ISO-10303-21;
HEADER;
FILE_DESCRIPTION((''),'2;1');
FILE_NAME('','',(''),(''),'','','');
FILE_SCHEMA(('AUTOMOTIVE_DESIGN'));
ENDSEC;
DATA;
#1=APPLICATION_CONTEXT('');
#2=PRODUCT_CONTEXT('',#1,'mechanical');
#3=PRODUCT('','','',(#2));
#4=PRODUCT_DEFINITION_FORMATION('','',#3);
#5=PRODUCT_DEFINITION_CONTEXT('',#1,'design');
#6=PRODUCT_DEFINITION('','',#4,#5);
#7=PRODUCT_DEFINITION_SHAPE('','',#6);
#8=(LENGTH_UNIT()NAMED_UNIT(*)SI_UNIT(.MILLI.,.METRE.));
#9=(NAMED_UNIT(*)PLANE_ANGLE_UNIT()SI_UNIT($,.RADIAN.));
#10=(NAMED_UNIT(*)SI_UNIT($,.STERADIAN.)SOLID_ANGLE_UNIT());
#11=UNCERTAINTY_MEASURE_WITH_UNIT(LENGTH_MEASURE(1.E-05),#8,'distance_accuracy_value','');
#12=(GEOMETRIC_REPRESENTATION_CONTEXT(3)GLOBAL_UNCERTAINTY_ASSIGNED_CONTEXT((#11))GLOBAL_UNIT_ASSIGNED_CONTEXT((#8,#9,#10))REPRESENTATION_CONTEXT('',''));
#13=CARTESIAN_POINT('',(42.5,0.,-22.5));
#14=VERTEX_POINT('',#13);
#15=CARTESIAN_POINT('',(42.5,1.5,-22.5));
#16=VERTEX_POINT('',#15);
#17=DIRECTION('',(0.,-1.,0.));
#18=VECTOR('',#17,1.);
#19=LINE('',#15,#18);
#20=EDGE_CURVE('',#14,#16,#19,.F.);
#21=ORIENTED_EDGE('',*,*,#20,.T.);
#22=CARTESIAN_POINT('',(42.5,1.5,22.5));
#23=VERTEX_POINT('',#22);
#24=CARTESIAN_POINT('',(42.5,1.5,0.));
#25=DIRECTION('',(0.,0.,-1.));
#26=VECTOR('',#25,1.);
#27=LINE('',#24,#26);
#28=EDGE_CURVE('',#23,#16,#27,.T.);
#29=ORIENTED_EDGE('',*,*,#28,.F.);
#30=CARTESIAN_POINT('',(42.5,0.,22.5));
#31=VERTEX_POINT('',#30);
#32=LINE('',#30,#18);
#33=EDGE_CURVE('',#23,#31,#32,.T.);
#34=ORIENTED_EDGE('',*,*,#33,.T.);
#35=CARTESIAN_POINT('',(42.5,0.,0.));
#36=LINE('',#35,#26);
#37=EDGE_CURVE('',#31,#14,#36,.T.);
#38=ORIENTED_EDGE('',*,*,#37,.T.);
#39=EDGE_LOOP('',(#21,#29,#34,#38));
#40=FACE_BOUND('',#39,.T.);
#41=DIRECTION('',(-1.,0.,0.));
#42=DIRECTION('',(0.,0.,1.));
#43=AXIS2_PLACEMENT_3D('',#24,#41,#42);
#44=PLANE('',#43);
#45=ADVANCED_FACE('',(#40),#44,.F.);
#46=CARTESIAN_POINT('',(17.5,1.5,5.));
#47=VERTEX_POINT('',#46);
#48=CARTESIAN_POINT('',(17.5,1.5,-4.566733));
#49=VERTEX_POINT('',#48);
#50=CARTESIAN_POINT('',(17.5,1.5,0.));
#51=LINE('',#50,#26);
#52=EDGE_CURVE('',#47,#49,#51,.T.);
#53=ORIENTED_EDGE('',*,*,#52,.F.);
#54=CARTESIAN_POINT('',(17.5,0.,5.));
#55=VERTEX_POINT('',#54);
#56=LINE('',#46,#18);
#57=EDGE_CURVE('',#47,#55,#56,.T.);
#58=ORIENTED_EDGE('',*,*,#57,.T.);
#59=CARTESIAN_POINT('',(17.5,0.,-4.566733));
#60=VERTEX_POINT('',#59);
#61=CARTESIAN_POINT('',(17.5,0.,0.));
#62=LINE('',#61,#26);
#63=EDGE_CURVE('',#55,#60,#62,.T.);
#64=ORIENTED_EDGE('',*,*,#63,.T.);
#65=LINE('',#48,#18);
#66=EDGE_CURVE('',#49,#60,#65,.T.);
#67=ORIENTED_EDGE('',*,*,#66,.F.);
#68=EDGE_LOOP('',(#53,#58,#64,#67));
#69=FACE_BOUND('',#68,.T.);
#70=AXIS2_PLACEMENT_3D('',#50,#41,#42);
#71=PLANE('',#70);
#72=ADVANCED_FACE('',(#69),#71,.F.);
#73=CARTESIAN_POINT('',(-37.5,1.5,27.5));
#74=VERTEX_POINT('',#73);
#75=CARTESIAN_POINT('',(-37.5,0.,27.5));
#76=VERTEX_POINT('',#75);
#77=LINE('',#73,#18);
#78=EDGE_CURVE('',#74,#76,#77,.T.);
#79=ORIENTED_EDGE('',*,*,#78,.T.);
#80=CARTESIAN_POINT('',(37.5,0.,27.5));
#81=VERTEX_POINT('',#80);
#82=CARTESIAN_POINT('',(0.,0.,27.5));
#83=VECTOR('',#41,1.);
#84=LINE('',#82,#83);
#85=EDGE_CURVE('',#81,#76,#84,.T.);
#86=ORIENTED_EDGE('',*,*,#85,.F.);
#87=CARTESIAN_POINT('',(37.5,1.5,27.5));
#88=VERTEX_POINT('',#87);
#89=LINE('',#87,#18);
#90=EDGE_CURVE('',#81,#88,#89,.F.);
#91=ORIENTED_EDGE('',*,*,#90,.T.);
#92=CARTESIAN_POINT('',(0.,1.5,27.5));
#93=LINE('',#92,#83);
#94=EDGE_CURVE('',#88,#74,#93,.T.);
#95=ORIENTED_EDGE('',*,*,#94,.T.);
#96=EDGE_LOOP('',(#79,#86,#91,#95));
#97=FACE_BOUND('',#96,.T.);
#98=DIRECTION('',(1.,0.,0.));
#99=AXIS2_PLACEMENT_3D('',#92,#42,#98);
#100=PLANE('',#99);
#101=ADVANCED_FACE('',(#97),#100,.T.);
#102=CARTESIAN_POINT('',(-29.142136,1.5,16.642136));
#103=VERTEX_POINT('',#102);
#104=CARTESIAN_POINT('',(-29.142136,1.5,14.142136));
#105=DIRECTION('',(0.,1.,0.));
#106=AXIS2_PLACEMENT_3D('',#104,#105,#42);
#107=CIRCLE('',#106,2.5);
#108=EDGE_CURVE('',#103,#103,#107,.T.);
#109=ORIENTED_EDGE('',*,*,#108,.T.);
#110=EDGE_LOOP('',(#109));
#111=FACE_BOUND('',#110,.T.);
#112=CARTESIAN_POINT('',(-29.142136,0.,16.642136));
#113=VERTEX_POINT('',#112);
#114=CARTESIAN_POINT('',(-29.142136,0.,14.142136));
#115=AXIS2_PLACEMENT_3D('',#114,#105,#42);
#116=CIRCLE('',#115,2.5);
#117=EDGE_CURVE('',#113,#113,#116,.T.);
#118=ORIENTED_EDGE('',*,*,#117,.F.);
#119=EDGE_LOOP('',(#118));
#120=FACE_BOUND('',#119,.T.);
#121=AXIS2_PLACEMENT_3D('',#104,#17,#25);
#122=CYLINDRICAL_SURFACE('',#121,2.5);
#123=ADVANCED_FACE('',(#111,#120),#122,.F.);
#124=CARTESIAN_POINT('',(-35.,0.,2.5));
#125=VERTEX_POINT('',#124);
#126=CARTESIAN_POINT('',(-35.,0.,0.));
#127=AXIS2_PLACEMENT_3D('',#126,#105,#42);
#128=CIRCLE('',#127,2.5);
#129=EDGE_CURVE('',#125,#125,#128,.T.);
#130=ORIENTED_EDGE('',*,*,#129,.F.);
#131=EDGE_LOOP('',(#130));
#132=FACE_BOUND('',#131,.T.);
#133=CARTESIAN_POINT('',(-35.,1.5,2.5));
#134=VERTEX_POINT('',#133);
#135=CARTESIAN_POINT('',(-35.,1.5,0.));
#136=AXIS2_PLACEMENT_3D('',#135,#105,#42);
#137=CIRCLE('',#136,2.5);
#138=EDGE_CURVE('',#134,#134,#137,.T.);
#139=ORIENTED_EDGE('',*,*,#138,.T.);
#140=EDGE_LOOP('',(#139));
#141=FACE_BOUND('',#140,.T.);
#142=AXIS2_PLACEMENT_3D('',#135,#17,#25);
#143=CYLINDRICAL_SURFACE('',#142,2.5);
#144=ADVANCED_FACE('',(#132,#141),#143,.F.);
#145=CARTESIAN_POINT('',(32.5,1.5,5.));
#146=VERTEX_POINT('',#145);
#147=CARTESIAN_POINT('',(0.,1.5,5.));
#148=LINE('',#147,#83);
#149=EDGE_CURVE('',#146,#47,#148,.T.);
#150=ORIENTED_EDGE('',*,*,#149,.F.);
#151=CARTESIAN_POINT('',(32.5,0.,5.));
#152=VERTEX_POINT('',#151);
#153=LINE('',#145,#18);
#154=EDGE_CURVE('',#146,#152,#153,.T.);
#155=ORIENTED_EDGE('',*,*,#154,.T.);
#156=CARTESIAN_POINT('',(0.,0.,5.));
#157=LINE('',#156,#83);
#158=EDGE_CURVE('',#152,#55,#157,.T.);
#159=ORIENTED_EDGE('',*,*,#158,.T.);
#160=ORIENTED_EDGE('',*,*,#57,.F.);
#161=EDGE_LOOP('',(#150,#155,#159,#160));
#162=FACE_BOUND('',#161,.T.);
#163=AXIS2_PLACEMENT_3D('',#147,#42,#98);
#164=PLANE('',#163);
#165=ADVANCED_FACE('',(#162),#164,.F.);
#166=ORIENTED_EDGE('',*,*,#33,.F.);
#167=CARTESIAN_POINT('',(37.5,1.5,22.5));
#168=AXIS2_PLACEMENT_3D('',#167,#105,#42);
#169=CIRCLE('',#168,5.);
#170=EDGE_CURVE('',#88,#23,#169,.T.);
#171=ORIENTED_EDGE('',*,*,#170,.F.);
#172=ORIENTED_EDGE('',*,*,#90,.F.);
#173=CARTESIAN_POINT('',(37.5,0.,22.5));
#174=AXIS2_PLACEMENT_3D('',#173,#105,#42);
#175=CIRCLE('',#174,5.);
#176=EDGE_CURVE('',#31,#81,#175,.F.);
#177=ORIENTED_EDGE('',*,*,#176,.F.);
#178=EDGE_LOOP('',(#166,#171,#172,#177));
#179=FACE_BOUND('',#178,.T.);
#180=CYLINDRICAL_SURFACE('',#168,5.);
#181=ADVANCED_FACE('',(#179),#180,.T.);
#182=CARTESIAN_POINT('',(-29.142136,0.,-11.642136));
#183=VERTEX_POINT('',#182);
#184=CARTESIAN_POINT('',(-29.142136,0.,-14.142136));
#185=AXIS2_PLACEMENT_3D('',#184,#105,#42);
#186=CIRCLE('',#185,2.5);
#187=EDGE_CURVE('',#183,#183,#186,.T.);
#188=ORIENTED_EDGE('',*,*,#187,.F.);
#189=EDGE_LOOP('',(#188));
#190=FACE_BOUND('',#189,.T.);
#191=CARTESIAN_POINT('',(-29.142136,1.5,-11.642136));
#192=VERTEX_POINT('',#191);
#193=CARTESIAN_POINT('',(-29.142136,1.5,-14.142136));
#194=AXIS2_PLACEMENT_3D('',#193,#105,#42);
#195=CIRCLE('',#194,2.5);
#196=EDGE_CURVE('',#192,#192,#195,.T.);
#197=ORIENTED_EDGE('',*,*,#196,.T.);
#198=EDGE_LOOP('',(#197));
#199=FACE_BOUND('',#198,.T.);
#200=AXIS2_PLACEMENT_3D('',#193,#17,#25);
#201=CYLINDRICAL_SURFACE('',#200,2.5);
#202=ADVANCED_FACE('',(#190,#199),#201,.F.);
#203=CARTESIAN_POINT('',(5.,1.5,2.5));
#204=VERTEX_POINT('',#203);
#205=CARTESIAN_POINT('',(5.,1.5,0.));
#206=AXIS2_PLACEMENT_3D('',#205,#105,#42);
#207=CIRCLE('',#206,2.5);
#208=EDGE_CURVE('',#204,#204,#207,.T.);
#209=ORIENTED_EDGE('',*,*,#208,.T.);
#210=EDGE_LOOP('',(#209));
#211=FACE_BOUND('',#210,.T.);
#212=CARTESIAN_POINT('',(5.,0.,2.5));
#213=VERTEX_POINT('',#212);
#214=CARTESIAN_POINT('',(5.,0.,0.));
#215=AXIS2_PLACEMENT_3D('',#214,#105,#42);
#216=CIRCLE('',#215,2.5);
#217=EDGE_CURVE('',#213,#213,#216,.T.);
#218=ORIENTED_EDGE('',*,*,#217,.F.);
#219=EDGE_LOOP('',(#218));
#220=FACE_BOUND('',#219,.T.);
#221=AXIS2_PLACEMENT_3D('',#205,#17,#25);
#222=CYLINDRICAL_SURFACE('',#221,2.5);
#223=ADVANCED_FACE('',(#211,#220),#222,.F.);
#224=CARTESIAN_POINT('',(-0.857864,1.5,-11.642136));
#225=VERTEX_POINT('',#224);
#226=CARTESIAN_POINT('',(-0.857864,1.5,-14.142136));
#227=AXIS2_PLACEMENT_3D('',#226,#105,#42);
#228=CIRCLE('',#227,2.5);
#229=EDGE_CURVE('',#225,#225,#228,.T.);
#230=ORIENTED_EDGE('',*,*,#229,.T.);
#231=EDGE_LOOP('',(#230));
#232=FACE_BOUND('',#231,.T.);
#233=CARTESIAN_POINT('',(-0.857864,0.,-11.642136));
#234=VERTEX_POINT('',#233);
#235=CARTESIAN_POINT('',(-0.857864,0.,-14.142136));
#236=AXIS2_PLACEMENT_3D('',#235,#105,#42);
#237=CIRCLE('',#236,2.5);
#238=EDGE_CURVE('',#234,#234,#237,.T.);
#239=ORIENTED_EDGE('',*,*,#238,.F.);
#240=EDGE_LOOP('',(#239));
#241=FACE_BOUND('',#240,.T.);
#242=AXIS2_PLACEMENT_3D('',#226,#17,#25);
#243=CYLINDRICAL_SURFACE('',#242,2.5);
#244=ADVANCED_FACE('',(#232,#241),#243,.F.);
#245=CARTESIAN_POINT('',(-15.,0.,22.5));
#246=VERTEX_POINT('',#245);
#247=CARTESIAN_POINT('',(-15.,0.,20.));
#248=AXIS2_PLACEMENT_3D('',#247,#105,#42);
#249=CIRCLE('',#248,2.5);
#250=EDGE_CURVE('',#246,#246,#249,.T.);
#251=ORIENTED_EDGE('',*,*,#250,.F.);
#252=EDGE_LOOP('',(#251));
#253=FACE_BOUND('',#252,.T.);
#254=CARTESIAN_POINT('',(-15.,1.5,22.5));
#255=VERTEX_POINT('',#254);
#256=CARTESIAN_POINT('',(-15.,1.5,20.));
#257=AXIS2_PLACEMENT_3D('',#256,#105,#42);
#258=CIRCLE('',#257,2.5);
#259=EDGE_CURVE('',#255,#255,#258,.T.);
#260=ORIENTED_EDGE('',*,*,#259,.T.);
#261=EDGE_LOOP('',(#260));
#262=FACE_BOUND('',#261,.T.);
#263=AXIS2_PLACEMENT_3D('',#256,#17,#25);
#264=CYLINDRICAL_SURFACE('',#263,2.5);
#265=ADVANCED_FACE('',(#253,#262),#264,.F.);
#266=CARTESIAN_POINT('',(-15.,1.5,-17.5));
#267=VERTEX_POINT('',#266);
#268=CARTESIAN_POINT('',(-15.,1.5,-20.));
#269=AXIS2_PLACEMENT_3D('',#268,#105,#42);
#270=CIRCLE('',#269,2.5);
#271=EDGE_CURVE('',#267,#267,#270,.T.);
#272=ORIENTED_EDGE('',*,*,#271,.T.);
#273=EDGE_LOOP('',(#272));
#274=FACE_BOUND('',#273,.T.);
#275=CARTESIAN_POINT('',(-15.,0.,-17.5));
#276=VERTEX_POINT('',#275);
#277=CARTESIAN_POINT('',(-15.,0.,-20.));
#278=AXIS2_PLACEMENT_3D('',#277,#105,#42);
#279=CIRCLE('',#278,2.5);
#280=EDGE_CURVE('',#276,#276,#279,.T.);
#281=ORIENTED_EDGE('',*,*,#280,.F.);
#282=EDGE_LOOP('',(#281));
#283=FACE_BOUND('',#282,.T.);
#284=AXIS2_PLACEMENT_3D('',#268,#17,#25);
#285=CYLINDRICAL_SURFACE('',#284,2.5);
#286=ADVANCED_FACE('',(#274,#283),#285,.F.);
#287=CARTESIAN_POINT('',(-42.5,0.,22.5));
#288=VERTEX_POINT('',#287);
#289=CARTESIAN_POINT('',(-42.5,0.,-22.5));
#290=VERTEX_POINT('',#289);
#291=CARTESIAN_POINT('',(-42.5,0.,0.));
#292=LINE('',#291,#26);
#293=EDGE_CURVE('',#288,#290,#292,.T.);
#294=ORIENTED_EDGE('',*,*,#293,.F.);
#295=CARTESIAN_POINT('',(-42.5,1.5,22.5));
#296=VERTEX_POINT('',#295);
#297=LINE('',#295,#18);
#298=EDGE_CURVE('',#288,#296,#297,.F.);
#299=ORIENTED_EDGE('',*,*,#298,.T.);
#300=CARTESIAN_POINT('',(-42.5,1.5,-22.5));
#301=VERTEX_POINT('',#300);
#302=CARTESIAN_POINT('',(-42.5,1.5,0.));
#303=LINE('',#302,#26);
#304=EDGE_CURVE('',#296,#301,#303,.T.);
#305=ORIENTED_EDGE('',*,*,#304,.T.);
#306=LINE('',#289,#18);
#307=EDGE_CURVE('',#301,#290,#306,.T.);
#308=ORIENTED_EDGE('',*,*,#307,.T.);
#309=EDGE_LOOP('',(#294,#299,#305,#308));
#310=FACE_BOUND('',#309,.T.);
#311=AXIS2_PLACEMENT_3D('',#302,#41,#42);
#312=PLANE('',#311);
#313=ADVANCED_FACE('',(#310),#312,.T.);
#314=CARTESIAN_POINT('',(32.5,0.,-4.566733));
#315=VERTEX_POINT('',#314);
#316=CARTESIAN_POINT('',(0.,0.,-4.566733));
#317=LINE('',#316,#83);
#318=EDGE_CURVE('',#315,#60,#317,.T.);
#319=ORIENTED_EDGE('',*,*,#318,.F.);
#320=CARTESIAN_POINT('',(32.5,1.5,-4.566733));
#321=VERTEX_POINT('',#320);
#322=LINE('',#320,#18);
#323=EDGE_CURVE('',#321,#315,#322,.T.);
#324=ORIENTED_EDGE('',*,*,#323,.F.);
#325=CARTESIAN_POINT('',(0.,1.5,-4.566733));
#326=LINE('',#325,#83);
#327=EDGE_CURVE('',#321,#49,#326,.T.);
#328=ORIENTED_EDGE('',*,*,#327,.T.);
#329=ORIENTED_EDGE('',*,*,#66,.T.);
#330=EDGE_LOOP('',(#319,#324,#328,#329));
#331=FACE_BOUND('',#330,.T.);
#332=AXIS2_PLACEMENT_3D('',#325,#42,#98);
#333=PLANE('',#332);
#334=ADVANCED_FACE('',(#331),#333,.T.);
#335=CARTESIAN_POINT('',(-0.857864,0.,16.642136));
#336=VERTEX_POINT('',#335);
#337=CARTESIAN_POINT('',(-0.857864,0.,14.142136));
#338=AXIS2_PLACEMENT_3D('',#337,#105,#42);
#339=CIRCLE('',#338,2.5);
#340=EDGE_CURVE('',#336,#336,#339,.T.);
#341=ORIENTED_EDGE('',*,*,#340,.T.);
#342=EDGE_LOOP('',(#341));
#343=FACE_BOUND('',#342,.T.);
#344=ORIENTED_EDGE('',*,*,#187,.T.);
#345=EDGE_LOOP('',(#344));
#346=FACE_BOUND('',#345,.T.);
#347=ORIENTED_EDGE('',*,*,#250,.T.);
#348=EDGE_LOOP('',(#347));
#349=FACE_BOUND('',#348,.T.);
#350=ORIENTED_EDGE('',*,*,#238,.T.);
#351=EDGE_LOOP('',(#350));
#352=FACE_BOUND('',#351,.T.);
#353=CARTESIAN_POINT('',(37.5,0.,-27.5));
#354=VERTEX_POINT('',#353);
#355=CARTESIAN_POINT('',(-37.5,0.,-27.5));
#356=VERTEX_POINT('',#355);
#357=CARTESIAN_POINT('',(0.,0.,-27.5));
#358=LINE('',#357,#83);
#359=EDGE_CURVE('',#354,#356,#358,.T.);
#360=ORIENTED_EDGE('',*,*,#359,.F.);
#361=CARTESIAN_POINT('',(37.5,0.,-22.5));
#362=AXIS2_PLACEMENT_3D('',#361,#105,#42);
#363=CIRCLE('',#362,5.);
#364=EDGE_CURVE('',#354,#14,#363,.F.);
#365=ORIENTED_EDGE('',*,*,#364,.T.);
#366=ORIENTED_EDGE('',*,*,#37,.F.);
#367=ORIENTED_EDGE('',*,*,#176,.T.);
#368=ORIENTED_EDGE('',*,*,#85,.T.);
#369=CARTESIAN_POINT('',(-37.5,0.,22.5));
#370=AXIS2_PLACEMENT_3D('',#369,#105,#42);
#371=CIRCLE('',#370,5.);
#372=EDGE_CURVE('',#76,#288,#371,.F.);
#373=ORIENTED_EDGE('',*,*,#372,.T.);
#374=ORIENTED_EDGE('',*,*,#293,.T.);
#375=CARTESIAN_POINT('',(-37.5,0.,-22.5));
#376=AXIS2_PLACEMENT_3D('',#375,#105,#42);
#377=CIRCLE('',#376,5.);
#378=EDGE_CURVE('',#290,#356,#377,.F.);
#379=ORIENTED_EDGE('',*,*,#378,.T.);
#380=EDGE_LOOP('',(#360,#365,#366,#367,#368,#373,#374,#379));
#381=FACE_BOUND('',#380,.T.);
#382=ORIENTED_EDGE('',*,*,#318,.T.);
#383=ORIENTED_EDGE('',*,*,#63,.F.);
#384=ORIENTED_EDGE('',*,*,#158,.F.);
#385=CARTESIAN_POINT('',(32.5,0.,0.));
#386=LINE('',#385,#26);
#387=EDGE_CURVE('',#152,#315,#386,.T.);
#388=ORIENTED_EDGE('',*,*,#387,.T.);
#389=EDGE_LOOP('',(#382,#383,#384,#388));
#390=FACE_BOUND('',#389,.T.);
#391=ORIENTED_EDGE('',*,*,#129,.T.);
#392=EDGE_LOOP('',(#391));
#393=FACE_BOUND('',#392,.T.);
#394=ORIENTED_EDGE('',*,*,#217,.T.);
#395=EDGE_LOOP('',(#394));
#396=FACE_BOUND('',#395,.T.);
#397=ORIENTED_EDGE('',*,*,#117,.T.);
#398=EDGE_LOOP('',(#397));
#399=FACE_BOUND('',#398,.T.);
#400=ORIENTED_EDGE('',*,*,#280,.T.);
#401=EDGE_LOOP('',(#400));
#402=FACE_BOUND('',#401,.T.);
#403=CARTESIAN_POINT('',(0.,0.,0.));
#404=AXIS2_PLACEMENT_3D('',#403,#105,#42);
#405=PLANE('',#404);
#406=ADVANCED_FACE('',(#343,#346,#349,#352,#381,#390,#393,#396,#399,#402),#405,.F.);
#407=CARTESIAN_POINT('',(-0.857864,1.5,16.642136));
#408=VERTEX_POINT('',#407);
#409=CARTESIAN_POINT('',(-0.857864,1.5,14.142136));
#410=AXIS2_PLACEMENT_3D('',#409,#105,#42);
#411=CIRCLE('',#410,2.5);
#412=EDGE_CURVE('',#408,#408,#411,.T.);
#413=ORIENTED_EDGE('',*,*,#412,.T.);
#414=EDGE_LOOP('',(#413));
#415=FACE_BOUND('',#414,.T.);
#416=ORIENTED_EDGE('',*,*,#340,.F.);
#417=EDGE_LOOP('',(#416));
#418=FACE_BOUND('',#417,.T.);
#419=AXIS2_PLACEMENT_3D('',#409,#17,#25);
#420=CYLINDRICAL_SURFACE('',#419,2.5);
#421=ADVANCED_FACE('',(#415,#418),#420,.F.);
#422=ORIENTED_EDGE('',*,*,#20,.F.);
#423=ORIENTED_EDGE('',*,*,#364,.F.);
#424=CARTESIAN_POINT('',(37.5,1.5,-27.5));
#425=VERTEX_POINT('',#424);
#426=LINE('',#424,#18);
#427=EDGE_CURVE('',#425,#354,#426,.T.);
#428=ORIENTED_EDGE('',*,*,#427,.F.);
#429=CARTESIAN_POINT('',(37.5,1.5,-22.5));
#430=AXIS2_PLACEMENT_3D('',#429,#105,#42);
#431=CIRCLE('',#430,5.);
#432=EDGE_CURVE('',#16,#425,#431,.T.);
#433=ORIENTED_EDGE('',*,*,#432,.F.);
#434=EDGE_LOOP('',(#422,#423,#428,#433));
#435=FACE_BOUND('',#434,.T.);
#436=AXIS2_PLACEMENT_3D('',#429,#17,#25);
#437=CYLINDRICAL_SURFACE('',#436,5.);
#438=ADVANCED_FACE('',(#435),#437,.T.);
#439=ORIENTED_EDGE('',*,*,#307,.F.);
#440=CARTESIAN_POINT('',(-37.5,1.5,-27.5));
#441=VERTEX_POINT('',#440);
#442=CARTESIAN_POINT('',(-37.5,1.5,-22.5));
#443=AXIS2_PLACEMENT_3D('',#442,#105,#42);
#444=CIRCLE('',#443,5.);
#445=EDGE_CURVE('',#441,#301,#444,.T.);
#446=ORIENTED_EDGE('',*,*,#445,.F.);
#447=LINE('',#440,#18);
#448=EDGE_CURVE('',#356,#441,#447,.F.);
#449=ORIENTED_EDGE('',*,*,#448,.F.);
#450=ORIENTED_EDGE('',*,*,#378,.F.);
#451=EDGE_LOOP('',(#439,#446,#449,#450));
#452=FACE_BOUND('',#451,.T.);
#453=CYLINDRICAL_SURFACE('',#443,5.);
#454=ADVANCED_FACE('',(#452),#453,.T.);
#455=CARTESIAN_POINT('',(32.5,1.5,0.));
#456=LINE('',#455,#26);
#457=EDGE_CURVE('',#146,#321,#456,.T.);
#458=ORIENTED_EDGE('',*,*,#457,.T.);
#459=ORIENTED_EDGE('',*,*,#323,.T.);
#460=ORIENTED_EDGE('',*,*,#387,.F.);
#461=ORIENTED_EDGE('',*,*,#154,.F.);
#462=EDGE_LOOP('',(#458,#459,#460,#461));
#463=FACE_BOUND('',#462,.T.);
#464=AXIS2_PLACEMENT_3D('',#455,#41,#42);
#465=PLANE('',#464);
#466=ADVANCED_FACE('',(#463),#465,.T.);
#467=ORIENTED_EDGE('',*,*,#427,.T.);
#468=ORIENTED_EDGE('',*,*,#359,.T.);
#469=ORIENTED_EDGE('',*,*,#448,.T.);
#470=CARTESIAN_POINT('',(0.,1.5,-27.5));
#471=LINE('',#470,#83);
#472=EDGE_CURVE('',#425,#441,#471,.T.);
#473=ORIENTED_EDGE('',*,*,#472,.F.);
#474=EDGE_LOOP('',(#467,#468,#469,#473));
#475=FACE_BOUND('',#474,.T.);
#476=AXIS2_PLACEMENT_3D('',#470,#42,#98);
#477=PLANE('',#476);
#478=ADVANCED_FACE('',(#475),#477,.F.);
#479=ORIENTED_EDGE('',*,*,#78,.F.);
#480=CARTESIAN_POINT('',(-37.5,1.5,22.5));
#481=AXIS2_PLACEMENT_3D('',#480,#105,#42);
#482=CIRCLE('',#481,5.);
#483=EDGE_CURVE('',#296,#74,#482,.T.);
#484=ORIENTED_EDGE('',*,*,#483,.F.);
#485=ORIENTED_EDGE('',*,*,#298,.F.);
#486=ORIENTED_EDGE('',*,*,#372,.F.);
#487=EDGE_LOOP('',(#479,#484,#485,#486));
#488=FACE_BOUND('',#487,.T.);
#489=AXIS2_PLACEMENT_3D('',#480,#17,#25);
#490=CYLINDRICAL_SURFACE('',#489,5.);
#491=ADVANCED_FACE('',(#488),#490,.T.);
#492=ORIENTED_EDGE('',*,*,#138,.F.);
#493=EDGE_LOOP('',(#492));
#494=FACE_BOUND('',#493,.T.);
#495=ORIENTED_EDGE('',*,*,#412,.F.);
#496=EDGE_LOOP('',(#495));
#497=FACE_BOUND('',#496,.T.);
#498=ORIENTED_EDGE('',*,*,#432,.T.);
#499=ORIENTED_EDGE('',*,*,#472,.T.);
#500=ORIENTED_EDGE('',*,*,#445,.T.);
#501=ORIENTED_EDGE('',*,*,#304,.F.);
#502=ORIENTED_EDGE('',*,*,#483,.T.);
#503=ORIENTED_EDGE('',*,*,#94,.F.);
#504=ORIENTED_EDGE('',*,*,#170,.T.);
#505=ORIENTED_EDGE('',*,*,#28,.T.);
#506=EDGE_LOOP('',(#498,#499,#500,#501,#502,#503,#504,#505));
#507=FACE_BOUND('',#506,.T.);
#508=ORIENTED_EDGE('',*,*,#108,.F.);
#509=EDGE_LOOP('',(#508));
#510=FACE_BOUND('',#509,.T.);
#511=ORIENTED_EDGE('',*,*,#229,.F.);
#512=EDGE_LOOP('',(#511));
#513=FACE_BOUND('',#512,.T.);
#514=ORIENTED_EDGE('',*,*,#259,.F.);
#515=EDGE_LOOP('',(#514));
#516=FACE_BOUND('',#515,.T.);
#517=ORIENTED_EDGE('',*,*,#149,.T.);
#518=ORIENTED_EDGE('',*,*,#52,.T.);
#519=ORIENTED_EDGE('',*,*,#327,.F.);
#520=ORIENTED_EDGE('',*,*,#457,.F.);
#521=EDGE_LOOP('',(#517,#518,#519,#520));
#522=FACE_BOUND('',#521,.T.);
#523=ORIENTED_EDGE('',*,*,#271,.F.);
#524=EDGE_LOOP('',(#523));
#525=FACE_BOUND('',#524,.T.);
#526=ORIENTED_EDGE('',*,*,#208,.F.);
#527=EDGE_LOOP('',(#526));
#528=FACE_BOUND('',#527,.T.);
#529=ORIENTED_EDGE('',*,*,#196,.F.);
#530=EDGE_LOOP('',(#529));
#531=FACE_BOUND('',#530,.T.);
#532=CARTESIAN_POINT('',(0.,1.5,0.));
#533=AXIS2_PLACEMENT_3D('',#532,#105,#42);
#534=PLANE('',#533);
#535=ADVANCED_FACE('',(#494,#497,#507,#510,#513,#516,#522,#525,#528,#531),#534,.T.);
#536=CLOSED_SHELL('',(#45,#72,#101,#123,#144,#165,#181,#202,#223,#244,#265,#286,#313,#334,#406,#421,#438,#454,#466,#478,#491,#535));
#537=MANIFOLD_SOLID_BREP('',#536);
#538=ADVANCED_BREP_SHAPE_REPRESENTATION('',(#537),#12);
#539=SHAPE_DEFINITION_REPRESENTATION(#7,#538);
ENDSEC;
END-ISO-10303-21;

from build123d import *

# Parameters (mm, degrees)
SKETCH1_W           = 85
SKETCH1_H           = 55
SKETCH1_R           = 2.5
SKETCH1_W_2         = 15
SKETCH1_H_2         = 9.566733068
BOSS_EXTRUDE1_DEPTH = 1.5
FILLET1_R           = 5


with BuildPart() as part:
    # Sketch1 → Boss-Extrude1 (new body)
    with BuildSketch(Plane(origin=(0, 0, 0), x_dir=(1, 0, 0), z_dir=(0, 1, 0))):
        Rectangle(SKETCH1_W, SKETCH1_H)
        with Locations(Location((-35, 0, 0), (0, 0, 270))):
            Circle(SKETCH1_R, mode=Mode.SUBTRACT)
        with Locations(Location((-29.142135624, 14.142135624, 0), (0, 0, 270))):
            Circle(SKETCH1_R, mode=Mode.SUBTRACT)
        with Locations(Location((-15, 20, 0), (0, 0, 270))):
            Circle(SKETCH1_R, mode=Mode.SUBTRACT)
        with Locations(Location((-0.857864376, 14.142135624, 0), (0, 0, 270))):
            Circle(SKETCH1_R, mode=Mode.SUBTRACT)
        with Locations(Location((5, 0, 0), (0, 0, 270))):
            Circle(SKETCH1_R, mode=Mode.SUBTRACT)
        with Locations(Location((-0.857864376, -14.142135624, 0), (0, 0, 270))):
            Circle(SKETCH1_R, mode=Mode.SUBTRACT)
        with Locations(Location((-15, -20, 0), (0, 0, 270))):
            Circle(SKETCH1_R, mode=Mode.SUBTRACT)
        with Locations(Location((-29.142135624, -14.142135624, 0), (0, 0, 270))):
            Circle(SKETCH1_R, mode=Mode.SUBTRACT)
        with Locations((25, -0.216633466)):
            Rectangle(SKETCH1_W_2, SKETCH1_H_2, mode=Mode.SUBTRACT)
    extrude(amount=BOSS_EXTRUDE1_DEPTH)

    # Fillet1
    fillet1_edges = [part.edges().sort_by_distance(p)[0] for p in [
        (-42.5, 0.75, -27.5),
        (42.5, 0.75, -27.5),
        (42.5, 0.75, 27.5),
        (-42.5, 0.75, 27.5),
    ]]
    fillet(fillet1_edges, radius=FILLET1_R)


solid = part.part
